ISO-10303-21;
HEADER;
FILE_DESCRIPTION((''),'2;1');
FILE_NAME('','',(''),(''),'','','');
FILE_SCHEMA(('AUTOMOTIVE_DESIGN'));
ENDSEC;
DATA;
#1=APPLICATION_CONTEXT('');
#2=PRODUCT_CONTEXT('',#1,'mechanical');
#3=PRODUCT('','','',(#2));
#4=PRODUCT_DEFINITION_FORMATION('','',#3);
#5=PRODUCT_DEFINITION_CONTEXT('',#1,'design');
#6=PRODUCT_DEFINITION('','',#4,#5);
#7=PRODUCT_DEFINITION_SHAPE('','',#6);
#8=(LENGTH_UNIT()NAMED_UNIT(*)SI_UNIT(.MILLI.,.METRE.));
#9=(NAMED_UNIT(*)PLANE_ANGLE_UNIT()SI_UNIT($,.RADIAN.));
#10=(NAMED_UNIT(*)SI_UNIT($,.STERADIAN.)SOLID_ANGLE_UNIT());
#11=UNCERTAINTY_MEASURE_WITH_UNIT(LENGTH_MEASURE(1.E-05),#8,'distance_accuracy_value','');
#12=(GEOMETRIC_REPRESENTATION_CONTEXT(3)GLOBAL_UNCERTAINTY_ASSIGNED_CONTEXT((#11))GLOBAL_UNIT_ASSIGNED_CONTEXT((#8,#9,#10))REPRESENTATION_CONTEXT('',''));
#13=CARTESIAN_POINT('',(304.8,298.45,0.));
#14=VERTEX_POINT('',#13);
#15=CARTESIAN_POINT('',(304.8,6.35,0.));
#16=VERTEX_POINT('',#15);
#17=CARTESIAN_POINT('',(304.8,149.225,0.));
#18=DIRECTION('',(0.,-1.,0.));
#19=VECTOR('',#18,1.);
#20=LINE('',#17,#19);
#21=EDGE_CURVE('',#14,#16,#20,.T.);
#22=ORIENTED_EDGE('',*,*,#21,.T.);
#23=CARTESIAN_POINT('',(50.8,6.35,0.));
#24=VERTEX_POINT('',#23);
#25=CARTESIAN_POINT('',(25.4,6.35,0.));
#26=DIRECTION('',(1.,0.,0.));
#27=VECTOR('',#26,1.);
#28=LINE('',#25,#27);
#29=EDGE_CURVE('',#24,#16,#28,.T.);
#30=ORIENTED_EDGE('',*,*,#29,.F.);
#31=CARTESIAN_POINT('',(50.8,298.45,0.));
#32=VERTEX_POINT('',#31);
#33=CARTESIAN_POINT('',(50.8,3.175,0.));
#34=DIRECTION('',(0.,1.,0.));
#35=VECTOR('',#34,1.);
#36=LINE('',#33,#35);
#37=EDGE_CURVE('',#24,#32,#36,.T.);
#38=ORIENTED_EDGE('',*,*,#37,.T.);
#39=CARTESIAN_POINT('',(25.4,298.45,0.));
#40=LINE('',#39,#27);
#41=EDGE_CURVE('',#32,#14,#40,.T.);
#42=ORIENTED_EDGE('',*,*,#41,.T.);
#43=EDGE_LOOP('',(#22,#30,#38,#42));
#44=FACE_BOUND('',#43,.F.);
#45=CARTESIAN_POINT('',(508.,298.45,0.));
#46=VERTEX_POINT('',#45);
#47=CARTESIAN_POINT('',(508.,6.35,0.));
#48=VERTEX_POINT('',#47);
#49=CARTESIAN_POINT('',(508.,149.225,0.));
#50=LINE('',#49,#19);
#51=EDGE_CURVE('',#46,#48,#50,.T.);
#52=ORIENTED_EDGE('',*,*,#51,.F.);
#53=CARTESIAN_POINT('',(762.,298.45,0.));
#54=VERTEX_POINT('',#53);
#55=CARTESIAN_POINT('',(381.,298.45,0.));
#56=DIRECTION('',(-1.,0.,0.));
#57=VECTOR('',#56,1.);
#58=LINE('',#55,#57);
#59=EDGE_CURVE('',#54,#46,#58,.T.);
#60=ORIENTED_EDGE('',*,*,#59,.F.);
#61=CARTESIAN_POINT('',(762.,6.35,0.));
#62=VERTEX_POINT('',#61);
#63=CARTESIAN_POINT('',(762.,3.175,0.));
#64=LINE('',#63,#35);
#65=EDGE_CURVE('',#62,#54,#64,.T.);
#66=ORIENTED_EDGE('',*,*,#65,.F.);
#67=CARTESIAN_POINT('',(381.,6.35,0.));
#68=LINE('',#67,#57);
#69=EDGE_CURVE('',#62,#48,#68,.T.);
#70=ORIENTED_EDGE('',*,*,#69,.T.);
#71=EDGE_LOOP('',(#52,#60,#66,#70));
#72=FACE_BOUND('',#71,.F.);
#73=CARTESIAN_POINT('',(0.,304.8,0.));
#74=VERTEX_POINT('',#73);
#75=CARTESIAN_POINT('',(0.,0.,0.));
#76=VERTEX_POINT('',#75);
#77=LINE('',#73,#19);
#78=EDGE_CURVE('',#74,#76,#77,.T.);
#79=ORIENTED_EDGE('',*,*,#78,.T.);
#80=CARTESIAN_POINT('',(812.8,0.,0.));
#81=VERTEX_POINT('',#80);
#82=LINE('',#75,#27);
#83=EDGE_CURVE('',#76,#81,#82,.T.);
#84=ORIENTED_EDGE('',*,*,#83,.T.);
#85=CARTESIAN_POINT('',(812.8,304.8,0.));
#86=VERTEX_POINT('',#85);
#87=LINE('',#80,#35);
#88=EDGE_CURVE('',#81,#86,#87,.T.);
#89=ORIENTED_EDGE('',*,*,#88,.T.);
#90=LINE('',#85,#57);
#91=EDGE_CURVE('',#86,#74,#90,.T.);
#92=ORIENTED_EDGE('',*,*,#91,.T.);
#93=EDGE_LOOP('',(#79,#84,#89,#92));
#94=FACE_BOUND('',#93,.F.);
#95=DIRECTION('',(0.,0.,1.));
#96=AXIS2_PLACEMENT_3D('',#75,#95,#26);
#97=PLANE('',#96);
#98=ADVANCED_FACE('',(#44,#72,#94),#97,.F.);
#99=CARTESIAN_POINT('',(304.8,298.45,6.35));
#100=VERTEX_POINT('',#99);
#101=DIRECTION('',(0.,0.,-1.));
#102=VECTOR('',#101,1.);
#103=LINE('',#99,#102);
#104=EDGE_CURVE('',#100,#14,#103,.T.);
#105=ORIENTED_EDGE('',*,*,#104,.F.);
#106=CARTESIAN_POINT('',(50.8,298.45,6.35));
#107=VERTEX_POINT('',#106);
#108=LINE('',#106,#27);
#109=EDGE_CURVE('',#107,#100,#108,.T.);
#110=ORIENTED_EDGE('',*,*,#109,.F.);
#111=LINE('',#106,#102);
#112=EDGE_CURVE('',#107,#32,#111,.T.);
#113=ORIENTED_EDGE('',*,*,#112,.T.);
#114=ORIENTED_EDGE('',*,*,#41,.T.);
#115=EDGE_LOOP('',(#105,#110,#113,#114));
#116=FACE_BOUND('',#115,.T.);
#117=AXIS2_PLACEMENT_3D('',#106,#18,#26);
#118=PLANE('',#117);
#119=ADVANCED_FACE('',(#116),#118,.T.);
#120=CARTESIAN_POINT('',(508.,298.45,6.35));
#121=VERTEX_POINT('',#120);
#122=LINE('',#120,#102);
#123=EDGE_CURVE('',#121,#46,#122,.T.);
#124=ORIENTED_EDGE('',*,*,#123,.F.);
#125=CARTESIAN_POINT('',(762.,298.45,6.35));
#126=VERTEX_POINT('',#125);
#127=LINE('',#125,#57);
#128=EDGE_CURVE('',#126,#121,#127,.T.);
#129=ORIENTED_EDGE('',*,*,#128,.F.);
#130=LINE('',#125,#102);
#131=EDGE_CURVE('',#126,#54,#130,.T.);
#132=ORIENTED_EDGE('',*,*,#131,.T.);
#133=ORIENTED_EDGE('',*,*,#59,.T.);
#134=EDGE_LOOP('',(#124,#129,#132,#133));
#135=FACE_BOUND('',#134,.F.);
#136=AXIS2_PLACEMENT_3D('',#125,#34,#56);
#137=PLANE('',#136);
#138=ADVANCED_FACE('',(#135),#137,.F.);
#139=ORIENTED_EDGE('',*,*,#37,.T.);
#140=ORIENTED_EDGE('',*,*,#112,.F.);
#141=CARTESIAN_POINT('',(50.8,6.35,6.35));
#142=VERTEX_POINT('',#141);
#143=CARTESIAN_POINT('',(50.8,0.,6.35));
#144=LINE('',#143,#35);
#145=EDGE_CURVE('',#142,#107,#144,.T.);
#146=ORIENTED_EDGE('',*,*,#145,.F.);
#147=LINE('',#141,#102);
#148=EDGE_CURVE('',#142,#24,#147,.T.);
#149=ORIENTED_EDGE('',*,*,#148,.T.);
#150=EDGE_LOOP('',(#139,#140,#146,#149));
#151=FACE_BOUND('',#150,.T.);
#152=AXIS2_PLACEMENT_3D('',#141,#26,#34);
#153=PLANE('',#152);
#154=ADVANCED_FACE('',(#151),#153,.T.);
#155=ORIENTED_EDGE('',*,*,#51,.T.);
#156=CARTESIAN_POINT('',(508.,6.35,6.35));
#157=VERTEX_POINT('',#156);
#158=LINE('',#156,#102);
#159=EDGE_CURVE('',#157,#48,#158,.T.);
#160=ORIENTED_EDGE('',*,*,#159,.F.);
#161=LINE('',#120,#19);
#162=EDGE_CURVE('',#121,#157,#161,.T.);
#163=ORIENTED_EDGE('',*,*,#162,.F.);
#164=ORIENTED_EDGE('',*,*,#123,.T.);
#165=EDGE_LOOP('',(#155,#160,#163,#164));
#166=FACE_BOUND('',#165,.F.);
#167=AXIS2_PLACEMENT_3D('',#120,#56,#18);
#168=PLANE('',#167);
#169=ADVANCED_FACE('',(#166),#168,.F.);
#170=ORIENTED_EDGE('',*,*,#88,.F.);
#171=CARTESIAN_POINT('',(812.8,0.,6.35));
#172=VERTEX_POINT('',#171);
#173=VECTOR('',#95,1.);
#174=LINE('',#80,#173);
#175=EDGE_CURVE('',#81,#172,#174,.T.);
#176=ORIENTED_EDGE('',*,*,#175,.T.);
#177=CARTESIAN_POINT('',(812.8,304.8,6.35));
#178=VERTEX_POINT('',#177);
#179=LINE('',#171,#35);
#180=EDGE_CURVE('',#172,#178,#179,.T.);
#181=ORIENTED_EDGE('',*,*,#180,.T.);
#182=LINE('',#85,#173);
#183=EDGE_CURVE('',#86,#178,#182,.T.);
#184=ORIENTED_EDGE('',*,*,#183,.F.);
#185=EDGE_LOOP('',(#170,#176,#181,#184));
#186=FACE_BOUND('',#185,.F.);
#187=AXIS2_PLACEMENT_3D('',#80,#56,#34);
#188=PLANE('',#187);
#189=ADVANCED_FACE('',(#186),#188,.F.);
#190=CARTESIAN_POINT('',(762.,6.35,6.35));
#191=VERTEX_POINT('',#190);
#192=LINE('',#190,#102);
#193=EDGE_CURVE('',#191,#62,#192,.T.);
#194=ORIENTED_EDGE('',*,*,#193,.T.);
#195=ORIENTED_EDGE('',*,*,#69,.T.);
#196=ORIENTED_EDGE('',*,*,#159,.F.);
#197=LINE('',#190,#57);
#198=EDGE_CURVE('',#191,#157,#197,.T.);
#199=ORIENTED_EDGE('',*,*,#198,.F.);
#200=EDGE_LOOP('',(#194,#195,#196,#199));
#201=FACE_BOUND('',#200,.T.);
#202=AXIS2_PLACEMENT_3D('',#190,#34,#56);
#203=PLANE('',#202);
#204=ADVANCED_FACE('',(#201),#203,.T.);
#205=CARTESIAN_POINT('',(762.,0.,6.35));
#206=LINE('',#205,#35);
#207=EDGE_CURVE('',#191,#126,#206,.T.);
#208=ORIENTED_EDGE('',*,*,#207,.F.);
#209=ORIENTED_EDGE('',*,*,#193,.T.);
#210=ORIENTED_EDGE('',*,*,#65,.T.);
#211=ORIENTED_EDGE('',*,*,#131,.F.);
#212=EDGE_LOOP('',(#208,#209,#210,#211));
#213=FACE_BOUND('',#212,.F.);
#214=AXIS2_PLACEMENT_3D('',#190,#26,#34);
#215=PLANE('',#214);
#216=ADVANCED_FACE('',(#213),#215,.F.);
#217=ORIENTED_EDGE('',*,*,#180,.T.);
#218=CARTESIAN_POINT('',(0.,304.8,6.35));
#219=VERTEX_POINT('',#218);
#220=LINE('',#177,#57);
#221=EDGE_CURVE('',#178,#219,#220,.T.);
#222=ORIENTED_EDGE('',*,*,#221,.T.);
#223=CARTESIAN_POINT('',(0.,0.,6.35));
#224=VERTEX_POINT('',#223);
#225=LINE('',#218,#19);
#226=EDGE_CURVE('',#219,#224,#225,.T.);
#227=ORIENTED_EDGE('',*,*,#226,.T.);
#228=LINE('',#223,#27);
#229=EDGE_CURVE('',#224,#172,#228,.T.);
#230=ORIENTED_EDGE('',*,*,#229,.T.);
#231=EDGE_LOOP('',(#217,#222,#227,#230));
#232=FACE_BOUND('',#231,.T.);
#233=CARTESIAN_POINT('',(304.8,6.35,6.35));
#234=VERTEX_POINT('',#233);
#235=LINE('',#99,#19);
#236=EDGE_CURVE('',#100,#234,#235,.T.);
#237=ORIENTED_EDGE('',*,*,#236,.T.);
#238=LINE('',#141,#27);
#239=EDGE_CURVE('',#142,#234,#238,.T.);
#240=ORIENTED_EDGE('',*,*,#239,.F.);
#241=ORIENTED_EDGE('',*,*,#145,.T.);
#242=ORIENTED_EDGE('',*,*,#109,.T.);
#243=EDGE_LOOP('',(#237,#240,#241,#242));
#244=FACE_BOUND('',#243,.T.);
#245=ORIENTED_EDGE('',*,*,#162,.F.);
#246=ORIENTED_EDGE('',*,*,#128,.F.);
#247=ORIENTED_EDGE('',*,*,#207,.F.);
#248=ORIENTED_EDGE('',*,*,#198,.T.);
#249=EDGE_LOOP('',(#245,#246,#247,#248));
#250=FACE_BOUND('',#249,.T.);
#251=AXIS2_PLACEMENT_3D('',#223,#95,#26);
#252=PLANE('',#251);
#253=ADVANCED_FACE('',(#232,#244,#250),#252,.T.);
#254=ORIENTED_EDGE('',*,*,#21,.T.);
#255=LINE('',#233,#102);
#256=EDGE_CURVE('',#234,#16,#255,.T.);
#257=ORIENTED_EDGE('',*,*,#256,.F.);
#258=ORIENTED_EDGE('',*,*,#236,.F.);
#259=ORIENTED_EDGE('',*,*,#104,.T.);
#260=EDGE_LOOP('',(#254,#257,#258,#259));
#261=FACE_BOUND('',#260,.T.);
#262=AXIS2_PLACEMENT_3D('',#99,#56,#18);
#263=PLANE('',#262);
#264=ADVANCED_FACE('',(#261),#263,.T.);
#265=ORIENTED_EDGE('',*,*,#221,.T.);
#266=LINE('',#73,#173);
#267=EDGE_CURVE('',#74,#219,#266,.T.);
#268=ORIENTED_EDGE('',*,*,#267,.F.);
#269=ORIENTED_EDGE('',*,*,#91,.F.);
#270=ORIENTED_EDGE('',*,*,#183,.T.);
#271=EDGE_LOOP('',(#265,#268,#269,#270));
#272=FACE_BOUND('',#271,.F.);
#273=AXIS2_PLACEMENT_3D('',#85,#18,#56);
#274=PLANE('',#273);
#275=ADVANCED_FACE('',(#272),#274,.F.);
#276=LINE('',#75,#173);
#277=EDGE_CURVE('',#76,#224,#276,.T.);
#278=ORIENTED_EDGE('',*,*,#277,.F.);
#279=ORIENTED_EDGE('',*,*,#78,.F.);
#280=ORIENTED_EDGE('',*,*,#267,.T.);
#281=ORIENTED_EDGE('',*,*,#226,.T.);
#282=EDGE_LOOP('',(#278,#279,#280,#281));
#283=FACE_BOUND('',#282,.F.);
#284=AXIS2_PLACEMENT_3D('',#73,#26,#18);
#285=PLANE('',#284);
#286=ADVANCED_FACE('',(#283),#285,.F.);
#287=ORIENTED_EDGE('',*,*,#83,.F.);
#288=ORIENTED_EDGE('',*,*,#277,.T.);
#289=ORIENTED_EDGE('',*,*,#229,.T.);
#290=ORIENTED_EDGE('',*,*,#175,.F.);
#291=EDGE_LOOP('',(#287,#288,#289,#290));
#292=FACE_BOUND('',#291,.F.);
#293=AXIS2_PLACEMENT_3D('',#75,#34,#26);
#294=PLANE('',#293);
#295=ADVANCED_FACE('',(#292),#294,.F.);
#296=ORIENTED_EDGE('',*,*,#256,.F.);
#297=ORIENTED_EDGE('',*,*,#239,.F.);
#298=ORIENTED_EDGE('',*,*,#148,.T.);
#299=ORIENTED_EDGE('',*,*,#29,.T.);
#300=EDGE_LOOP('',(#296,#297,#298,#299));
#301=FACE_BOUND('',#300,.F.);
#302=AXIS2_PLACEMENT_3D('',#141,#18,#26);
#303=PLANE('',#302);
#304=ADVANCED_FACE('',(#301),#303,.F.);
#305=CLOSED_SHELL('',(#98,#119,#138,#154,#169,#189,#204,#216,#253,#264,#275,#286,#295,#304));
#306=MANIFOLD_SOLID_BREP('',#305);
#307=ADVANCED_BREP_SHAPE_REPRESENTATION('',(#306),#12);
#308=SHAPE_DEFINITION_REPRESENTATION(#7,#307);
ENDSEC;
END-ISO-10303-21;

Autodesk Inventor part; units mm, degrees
ref_plane "YZ Plane" through (0, 0, 0) normal (1, 0, 0) x (0, 1, 0)
ref_plane "XZ Plane" through (0, 0, 0) normal (0, 1, 0) x (-1, 0, 0)
ref_plane "XY Plane" through (0, 0, 0) normal (0, 0, 1) x (1, 0, 0)
sketch "Sketch1" plane through (0, 0, 0) normal (0, 0, 1) x (1, 0, 0)
  line L0 (0, 0) -> (812.8, 0)
  line L1 (812.8, 0) -> (812.8, 304.8)
  line L2 (812.8, 304.8) -> (0, 304.8)
  line L3 (0, 304.8) -> (0, 0)
  dimension "d0" = 812.8
  dimension "d1" = 304.8
  dimension "d2" = 812.8
extrude "Extrusion1" add sketch "Sketch1" along normal blind 6.35
sketch "Sketch2" plane through (0, 0, 6.35) normal (0, 0, 1) x (1, 0, 0)
  line L0 (0, 0) -> (812.8, 0) projected
  line L1 (0, 0) -> (50.8, 0)
  line L2 (50.8, 0) -> (50.8, 304.8)
  line L3 (812.8, 304.8) -> (0, 304.8) projected
  line L4 (812.8, 0) -> (762, 0)
  line L5 (762, 0) -> (762, 304.8)
  line L6 (50.8, 0) -> (50.8, 6.35)
  line L7 (50.8, 6.35) -> (304.8, 6.35)
  line L8 (50.8, 304.8) -> (50.8, 298.45)
  line L9 (50.8, 298.45) -> (304.8, 298.45)
  line L10 (304.8, 298.45) -> (304.8, 6.35)
  line L11 (50.8, 298.45) -> (50.8, 6.35)
  line L12 (0, 304.8) -> (406.4, 304.8)
  line L13 (406.4, 304.8) -> (406.4, 0)
  line L14 (406.4, 304.8) -> (406.4, -7.4745)
  line L15 (762, 6.35) -> (508, 6.35)
  line L16 (762, 298.45) -> (508, 298.45)
  line L17 (508, 298.45) -> (508, 6.35)
  line L18 (762, 298.45) -> (762, 6.35)
  point P0 (762, 6.35)
  dimension "d5" = 50.8
  dimension "d6" = 50.8
  dimension "d7" = 6.35
  dimension "d8" = 254
  dimension "d9" = 6.35
  dimension "d10" = 254
  dimension "d11" = 406.4
extrude "Extrusion2" cut sketch "Sketch2" against normal blind 57.15 contours L2 L9 L10 L7 | L15 L17 L16 L5
sketch "Sketch3" plane through (0, 0, 6.35) normal (0, 0, 1) x (1, 0, 0)
  line L0 (812.8, 0) -> (812.8, 304.8) projected
  line L1 (0, 304.8) -> (0, 0) projected
  line L2 (812.8, 304.8) -> (0, 304.8) projected
  line L3 (0, 0) -> (812.8, 0) projected
  dimension "d14" = 812.8
  dimension "d15" = 304.8
properties part number "bottom_plywood_Ocampo"
